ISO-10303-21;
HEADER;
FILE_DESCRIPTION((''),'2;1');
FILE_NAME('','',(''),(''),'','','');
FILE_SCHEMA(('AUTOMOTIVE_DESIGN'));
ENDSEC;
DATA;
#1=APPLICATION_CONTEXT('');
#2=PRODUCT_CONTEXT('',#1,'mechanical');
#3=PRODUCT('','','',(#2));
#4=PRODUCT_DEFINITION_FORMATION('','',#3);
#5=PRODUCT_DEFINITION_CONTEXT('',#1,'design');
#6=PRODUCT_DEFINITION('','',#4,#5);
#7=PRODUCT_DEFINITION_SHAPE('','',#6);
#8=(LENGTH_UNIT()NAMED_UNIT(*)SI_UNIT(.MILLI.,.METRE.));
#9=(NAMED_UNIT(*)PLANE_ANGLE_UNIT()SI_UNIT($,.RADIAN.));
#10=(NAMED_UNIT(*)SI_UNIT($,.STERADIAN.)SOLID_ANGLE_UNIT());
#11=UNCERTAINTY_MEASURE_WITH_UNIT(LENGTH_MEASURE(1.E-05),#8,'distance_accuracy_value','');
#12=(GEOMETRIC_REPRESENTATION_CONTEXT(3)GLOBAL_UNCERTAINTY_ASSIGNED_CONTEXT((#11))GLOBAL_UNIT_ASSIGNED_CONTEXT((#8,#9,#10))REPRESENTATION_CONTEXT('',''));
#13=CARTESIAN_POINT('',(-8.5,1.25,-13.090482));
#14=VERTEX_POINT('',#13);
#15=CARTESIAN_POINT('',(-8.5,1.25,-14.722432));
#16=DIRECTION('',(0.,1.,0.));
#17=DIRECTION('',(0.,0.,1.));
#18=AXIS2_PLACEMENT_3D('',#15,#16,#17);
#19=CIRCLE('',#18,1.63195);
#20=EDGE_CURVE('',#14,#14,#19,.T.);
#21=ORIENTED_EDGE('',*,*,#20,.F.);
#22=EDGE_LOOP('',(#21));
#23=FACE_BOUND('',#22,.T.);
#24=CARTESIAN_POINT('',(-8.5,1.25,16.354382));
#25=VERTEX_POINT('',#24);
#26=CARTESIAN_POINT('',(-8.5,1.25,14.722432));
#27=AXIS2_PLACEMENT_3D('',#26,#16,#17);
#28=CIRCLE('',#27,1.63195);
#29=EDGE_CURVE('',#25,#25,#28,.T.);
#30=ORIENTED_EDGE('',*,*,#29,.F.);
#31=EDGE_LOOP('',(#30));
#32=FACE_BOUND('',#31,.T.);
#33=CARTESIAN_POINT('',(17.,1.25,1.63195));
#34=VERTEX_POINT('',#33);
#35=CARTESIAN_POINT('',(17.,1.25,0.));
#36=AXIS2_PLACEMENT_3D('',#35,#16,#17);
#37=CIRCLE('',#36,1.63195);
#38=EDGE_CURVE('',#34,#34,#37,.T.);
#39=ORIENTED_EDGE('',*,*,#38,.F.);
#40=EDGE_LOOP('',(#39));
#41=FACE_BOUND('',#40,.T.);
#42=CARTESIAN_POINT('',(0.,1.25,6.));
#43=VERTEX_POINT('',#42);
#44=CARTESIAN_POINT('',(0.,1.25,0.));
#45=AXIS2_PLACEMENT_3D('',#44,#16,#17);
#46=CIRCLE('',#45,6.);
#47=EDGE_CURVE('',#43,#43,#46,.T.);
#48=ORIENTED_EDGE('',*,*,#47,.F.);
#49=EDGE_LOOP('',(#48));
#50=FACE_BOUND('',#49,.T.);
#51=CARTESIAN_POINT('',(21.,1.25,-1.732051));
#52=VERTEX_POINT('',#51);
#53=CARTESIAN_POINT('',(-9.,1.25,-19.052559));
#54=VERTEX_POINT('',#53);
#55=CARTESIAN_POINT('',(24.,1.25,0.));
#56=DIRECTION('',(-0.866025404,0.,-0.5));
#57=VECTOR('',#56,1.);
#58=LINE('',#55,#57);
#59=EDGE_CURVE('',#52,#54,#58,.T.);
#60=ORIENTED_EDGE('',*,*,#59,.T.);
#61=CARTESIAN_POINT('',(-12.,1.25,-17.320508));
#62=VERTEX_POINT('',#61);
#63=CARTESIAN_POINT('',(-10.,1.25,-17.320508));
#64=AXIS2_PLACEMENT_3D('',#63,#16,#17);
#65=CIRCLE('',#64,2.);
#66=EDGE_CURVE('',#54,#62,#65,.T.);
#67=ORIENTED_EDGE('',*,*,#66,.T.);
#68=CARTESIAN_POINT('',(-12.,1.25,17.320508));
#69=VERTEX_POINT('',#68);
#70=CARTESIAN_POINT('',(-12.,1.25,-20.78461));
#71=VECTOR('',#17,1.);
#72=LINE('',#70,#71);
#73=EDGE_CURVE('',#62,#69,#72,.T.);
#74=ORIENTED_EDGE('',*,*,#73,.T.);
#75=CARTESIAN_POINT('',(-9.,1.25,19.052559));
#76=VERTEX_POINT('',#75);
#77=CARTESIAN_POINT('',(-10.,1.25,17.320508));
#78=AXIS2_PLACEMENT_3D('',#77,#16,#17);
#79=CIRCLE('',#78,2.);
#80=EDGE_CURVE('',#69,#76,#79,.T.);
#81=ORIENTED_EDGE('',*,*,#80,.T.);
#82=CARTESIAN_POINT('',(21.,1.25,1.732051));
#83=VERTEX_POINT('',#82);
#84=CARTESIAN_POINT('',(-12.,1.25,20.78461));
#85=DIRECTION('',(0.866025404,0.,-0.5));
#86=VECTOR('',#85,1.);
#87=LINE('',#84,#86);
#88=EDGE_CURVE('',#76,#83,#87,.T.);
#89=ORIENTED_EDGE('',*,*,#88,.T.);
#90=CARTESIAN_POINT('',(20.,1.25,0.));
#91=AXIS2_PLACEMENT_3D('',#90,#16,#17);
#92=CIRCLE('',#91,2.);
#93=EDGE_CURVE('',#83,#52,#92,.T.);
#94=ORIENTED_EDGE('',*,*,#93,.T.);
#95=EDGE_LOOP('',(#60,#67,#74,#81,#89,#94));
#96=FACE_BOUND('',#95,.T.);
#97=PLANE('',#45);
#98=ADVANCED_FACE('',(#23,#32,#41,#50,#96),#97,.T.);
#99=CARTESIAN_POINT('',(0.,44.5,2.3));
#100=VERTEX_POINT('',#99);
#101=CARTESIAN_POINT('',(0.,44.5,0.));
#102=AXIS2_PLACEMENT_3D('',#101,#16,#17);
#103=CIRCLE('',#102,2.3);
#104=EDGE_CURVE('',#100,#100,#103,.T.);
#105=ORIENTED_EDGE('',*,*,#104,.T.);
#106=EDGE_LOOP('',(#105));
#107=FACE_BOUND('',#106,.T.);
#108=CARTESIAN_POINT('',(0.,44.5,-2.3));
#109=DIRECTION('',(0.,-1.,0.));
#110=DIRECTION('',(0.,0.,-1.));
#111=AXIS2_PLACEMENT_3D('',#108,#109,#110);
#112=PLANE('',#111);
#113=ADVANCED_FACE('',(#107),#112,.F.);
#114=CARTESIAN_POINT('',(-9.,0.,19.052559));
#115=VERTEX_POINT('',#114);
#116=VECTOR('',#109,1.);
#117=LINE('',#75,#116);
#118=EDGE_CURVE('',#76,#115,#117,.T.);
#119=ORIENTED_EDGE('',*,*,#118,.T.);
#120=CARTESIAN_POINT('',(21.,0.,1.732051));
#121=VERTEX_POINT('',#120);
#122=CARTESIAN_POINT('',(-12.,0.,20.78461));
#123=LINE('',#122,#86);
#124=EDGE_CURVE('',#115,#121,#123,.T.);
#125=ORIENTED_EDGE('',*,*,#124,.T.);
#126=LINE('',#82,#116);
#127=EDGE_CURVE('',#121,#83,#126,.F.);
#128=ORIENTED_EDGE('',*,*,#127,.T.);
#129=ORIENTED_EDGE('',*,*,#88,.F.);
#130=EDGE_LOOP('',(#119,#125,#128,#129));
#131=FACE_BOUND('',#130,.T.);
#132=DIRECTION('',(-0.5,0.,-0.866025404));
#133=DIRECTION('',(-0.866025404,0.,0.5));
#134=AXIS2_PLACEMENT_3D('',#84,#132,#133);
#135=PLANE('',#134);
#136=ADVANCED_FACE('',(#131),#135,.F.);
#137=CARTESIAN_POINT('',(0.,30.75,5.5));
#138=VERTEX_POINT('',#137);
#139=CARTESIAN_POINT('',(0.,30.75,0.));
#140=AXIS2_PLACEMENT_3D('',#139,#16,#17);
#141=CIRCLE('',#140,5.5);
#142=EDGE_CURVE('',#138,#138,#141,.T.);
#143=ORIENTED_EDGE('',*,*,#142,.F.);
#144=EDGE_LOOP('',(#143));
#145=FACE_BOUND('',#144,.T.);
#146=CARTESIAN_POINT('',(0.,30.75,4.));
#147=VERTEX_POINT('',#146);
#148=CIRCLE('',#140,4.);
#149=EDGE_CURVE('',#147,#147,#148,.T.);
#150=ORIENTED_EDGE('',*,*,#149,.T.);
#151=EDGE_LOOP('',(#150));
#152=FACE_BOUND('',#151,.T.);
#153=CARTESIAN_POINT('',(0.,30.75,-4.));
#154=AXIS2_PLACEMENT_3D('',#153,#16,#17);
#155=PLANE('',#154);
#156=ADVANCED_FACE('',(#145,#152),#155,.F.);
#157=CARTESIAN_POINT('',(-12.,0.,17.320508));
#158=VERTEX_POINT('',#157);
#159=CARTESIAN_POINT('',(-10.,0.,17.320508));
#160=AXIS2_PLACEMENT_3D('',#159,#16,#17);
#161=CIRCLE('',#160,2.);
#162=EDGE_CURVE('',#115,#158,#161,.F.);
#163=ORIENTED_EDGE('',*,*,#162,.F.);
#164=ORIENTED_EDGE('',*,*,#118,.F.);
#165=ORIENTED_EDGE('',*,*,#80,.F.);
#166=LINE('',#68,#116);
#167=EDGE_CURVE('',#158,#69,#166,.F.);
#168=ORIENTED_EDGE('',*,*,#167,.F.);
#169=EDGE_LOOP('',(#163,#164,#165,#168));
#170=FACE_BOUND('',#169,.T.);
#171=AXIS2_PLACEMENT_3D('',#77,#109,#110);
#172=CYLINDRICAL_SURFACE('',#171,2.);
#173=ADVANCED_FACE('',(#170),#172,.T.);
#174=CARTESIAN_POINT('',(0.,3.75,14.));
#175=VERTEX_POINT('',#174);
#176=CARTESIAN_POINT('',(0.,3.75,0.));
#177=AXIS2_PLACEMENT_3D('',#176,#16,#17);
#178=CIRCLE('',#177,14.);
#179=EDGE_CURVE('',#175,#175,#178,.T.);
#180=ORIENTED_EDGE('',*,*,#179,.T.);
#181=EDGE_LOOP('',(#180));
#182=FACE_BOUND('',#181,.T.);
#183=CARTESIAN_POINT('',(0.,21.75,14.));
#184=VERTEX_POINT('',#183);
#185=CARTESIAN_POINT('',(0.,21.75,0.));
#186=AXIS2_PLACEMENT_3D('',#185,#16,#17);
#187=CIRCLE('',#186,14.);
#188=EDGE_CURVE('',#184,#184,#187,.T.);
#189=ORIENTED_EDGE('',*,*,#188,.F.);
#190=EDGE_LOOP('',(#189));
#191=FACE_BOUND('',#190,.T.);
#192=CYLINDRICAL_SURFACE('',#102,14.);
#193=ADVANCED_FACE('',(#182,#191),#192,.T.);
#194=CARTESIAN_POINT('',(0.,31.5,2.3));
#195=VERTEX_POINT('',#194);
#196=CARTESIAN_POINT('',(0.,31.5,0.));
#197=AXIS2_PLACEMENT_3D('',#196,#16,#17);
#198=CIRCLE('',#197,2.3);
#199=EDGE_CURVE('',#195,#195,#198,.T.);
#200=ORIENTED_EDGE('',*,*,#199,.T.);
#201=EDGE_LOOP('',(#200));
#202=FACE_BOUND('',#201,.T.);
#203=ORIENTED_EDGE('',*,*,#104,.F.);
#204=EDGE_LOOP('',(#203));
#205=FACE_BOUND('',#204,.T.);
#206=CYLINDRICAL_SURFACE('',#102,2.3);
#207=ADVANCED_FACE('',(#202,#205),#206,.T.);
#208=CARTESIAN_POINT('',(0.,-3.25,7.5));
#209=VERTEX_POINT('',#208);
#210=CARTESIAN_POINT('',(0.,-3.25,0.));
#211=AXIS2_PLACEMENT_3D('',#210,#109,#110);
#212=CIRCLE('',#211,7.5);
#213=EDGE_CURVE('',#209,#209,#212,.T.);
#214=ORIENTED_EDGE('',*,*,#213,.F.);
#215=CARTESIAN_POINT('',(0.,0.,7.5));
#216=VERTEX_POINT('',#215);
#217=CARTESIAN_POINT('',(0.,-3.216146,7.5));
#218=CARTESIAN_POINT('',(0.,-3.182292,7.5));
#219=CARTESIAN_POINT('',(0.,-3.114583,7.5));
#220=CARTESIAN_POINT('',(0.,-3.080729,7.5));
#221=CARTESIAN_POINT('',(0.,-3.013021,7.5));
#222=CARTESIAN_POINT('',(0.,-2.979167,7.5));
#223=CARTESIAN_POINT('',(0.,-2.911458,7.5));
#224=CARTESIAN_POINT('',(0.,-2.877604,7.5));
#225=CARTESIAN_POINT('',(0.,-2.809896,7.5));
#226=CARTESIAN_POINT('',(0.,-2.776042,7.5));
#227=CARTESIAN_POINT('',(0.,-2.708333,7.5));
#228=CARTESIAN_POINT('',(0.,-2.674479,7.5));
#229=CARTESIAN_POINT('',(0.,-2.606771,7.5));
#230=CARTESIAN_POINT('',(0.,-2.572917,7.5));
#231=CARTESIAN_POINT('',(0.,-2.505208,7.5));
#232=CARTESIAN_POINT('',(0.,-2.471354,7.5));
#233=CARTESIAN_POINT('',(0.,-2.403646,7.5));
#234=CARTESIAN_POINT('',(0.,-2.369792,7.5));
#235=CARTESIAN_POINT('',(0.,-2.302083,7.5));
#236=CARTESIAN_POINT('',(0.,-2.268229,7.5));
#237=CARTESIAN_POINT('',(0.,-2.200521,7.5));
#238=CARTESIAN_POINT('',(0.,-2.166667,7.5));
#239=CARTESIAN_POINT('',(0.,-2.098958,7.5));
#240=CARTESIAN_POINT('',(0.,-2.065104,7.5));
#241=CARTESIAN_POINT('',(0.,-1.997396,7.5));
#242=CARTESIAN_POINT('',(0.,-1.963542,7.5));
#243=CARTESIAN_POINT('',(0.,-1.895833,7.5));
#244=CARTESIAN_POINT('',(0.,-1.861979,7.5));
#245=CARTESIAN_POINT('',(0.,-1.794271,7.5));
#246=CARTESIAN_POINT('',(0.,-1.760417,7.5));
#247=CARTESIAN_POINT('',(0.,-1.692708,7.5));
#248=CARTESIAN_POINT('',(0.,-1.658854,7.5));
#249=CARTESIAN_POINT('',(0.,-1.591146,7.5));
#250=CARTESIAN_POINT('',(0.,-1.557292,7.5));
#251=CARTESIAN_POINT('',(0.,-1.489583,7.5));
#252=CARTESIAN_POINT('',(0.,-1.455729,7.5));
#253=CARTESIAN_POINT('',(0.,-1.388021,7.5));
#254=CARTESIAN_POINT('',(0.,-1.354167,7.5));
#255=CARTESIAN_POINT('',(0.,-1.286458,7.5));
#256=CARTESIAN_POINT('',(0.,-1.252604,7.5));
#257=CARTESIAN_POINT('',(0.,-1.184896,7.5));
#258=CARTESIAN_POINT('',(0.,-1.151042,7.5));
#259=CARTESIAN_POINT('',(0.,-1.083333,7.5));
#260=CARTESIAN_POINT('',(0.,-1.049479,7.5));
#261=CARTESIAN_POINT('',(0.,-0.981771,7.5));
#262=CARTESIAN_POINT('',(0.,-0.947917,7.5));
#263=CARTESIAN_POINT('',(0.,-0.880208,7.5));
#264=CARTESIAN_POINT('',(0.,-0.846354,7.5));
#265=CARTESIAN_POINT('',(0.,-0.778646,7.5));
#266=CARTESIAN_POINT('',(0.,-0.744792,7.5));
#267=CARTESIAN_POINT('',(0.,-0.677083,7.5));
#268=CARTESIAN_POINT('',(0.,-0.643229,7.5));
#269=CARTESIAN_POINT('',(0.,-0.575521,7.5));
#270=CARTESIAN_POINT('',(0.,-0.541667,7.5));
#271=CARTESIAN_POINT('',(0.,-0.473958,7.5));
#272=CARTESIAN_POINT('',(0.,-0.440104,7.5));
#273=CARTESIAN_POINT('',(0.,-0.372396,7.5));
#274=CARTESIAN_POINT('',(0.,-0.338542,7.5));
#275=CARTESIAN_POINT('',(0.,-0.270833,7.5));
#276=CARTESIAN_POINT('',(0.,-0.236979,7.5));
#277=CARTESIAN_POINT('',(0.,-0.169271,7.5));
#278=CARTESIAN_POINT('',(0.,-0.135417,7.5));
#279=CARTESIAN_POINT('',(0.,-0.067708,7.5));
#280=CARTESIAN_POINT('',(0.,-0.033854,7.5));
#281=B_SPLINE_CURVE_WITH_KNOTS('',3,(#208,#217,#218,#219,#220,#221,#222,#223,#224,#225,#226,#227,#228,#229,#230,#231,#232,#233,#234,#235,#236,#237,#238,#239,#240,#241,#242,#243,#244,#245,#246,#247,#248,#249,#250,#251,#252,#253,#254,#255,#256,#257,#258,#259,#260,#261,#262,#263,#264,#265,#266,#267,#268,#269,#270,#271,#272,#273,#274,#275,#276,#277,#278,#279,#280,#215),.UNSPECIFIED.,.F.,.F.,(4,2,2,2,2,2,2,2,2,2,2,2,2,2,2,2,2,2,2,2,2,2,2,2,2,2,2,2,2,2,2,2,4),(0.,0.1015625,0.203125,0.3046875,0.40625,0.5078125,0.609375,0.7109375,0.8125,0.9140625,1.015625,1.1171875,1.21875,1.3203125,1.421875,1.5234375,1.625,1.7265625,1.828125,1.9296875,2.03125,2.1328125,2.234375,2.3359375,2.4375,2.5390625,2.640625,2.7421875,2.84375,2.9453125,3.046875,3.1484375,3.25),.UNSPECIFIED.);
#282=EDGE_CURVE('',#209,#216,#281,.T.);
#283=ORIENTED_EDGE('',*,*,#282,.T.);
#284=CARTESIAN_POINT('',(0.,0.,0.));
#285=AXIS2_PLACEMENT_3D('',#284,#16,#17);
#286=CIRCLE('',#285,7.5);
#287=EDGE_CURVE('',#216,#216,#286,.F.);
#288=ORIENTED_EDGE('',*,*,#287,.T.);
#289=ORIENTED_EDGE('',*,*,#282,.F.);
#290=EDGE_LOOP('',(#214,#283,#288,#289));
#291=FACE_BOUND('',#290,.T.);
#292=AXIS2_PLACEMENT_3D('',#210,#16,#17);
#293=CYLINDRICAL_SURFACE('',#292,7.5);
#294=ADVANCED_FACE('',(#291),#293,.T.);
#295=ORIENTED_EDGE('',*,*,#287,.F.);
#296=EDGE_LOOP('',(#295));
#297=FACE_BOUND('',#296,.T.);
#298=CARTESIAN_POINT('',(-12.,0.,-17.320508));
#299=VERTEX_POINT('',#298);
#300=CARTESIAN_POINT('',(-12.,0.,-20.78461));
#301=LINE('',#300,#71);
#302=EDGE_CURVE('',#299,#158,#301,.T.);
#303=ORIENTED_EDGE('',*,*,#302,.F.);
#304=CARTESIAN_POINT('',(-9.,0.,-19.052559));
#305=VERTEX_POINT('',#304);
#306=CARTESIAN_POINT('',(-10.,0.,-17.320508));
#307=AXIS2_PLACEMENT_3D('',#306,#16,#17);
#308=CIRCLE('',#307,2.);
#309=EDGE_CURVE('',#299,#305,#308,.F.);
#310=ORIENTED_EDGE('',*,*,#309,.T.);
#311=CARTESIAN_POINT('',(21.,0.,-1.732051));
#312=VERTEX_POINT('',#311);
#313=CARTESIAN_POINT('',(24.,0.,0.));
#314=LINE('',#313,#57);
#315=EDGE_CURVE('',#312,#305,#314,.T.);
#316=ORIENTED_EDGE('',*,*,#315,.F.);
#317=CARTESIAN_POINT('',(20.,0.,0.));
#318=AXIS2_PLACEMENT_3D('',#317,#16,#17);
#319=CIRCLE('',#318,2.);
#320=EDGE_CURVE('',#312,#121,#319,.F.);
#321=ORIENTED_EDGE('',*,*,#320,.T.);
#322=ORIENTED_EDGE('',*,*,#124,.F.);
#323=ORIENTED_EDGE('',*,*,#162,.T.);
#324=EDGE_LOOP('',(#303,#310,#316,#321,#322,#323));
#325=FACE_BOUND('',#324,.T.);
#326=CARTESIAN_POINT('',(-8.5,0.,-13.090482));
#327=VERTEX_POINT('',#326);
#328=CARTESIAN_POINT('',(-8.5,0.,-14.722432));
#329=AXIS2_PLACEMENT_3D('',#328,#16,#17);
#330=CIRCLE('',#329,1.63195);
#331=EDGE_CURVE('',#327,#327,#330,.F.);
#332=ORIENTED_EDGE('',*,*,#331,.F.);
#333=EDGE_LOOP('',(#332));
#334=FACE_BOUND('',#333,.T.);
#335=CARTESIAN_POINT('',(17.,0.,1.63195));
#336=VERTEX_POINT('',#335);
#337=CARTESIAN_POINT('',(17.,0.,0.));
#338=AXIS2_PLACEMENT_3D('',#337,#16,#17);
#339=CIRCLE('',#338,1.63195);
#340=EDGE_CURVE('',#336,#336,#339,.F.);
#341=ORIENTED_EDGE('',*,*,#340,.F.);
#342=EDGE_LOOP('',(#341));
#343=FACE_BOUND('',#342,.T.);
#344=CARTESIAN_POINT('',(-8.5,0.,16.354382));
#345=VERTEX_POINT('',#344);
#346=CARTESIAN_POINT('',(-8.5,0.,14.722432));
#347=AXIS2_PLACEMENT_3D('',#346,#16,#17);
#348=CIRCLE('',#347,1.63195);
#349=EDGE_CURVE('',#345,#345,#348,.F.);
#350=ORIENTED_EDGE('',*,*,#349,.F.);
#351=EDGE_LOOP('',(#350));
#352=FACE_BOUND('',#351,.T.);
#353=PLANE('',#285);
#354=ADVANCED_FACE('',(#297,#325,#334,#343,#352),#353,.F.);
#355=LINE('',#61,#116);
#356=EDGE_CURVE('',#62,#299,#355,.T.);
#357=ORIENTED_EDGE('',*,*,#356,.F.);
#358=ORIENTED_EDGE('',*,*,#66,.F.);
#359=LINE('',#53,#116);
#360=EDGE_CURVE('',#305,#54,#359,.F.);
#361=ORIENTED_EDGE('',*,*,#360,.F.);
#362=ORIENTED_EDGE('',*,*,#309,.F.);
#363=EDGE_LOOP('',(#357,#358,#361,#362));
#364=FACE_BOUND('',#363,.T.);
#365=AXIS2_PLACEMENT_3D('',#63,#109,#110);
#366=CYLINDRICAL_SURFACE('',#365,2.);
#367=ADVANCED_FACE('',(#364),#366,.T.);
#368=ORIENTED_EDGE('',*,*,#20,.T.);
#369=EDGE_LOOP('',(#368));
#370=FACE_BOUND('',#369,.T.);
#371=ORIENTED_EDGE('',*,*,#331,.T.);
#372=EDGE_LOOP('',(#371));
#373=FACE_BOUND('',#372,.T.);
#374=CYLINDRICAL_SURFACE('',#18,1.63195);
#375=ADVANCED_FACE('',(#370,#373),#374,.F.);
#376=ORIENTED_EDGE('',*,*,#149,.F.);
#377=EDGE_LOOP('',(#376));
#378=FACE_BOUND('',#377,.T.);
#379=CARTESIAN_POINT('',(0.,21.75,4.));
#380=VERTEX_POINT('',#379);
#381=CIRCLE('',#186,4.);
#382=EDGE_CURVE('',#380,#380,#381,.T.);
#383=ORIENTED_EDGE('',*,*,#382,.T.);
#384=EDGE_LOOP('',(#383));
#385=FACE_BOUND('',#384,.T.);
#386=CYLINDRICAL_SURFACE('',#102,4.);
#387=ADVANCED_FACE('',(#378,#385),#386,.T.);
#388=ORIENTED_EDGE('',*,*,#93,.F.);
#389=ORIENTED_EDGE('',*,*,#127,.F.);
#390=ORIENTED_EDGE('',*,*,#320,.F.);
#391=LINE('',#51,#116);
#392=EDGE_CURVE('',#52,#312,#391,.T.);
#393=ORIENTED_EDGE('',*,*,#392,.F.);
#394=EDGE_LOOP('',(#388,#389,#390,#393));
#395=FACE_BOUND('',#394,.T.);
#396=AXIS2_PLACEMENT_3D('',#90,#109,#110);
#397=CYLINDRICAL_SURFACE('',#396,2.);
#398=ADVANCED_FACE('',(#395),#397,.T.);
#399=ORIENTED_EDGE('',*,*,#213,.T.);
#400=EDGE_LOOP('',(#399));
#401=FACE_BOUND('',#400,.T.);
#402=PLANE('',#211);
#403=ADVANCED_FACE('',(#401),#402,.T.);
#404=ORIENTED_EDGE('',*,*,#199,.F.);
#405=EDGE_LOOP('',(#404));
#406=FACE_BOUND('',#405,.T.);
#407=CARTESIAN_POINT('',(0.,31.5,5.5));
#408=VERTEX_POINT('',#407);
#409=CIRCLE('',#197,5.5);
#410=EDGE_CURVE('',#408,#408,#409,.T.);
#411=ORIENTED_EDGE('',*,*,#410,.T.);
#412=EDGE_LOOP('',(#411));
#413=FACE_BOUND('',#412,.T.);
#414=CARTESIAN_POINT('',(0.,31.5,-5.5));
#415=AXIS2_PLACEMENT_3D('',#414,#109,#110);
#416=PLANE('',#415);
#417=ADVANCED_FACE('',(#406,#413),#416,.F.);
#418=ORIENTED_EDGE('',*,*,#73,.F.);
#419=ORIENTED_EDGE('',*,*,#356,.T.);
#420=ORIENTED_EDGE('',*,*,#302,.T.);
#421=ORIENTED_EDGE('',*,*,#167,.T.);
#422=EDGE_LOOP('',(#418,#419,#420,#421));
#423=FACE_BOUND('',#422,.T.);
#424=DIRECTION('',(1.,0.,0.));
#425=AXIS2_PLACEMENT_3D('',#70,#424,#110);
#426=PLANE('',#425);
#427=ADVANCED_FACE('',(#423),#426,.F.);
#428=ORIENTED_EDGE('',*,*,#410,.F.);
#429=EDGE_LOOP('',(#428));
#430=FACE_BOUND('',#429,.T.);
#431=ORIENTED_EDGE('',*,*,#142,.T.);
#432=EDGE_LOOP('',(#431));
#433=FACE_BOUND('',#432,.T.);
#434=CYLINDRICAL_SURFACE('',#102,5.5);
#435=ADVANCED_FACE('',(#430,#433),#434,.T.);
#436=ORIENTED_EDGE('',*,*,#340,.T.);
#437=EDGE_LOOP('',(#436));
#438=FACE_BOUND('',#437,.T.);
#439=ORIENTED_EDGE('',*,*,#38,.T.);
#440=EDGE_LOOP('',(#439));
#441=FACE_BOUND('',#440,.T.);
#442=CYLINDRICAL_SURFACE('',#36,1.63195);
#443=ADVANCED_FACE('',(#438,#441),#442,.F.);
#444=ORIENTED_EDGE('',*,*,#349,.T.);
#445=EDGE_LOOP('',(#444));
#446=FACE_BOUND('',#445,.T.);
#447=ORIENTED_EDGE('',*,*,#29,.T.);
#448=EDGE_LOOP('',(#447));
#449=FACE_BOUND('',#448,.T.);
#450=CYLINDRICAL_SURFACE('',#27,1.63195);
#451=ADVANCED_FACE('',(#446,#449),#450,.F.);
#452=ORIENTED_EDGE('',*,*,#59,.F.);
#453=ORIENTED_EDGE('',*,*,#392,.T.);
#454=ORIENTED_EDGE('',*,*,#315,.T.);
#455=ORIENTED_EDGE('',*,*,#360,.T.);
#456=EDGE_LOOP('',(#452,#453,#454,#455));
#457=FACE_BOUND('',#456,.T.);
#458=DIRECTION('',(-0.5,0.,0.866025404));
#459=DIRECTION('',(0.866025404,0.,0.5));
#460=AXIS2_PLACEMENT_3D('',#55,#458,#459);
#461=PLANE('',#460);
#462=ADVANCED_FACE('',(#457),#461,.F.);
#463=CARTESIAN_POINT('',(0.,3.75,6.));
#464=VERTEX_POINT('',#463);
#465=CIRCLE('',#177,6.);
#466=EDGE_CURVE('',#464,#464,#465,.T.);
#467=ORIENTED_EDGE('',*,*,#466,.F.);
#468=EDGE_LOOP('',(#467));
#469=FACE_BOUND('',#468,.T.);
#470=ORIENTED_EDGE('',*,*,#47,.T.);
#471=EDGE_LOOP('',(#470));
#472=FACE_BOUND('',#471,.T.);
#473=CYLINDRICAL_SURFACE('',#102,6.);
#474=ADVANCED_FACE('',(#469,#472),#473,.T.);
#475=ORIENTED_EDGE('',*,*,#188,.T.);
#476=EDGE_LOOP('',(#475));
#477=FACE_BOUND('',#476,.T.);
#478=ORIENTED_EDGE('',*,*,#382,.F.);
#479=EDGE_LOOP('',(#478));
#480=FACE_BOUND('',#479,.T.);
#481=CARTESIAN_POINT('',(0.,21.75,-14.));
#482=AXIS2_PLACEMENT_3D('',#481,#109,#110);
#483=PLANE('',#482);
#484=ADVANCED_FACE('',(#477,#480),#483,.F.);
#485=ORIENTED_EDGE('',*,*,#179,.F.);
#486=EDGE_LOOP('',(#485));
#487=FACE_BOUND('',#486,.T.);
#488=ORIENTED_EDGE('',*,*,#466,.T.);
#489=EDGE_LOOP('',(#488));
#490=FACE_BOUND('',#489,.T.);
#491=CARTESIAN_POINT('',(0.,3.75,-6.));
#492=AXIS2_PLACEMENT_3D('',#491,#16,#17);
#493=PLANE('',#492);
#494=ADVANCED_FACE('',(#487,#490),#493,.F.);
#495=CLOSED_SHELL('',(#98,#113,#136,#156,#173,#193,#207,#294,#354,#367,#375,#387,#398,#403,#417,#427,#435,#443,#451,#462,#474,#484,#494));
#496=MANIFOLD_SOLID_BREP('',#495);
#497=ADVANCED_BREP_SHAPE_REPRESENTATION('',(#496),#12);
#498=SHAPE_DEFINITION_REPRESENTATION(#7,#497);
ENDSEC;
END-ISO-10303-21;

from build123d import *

# Parameters (mm, degrees)
BOSS_EXTRUDE1_DEPTH   = 1.25
F_4_CLEARANCE_HOLE1_D = 3.2639
SKETCH5_R             = 7.5
BOSS_EXTRUDE2_DEPTH   = 3.25
FILLET2_R             = 2


with BuildPart() as part:
    # Sketch1 → Boss-Extrude1 (new body)
    with BuildSketch(Plane(origin=(0, 0, 0), x_dir=(1, 0, 0), z_dir=(0, 1, 0))):
        Polygon((24, 0), (-12, 20.784609691), (-12, -20.784609691), align=None)
    extrude(amount=BOSS_EXTRUDE1_DEPTH)

    # #4 Clearance Hole1 (through all)
    with Locations(Plane(origin=(0, 1.25, 0), x_dir=(1, 0, 0), z_dir=(0, 1, 0))):
        with Locations((-8.5, 14.722431864), (-8.5, -14.722431864), (17, 0)):
            Hole(F_4_CLEARANCE_HOLE1_D / 2)

    # Sketch4 → Revolve1 (revolve)
    with BuildSketch(Plane(origin=(0, 0, 0), x_dir=(0, 0, -1), z_dir=(1, 0, 0)), mode=Mode.PRIVATE) as revolve1_sk:
        Polygon((0, 1.25), (6, 1.25), (6, 3.75), (14, 3.75), (14, 21.75), (4, 21.75), (4, 30.75), (5.5, 30.75), (5.5, 31.5), (2.3, 31.5), (2.3, 44.5), (0, 44.5), align=None)
    revolve(revolve1_sk.sketch.rotate(Axis((0, 44.5, 0), (0, -1, 0)), 180), axis=Axis((0, 44.5, 0), (0, -1, 0)))

    # Sketch5 → Boss-Extrude2 (add)
    with BuildSketch(Plane.XZ):
        with Locations(Location((0, 0, 0), (0, 0, 90))):
            Circle(SKETCH5_R)
    extrude(amount=BOSS_EXTRUDE2_DEPTH)

    # Fillet2
    fillet2_edges = [part.edges().sort_by_distance(p)[0] for p in [
        (-12, 0.625, 20.784609691),
        (-12, 0.625, -20.784609691),
        (24, 0.625, 0),
    ]]
    fillet(fillet2_edges, radius=FILLET2_R)


solid = part.part
